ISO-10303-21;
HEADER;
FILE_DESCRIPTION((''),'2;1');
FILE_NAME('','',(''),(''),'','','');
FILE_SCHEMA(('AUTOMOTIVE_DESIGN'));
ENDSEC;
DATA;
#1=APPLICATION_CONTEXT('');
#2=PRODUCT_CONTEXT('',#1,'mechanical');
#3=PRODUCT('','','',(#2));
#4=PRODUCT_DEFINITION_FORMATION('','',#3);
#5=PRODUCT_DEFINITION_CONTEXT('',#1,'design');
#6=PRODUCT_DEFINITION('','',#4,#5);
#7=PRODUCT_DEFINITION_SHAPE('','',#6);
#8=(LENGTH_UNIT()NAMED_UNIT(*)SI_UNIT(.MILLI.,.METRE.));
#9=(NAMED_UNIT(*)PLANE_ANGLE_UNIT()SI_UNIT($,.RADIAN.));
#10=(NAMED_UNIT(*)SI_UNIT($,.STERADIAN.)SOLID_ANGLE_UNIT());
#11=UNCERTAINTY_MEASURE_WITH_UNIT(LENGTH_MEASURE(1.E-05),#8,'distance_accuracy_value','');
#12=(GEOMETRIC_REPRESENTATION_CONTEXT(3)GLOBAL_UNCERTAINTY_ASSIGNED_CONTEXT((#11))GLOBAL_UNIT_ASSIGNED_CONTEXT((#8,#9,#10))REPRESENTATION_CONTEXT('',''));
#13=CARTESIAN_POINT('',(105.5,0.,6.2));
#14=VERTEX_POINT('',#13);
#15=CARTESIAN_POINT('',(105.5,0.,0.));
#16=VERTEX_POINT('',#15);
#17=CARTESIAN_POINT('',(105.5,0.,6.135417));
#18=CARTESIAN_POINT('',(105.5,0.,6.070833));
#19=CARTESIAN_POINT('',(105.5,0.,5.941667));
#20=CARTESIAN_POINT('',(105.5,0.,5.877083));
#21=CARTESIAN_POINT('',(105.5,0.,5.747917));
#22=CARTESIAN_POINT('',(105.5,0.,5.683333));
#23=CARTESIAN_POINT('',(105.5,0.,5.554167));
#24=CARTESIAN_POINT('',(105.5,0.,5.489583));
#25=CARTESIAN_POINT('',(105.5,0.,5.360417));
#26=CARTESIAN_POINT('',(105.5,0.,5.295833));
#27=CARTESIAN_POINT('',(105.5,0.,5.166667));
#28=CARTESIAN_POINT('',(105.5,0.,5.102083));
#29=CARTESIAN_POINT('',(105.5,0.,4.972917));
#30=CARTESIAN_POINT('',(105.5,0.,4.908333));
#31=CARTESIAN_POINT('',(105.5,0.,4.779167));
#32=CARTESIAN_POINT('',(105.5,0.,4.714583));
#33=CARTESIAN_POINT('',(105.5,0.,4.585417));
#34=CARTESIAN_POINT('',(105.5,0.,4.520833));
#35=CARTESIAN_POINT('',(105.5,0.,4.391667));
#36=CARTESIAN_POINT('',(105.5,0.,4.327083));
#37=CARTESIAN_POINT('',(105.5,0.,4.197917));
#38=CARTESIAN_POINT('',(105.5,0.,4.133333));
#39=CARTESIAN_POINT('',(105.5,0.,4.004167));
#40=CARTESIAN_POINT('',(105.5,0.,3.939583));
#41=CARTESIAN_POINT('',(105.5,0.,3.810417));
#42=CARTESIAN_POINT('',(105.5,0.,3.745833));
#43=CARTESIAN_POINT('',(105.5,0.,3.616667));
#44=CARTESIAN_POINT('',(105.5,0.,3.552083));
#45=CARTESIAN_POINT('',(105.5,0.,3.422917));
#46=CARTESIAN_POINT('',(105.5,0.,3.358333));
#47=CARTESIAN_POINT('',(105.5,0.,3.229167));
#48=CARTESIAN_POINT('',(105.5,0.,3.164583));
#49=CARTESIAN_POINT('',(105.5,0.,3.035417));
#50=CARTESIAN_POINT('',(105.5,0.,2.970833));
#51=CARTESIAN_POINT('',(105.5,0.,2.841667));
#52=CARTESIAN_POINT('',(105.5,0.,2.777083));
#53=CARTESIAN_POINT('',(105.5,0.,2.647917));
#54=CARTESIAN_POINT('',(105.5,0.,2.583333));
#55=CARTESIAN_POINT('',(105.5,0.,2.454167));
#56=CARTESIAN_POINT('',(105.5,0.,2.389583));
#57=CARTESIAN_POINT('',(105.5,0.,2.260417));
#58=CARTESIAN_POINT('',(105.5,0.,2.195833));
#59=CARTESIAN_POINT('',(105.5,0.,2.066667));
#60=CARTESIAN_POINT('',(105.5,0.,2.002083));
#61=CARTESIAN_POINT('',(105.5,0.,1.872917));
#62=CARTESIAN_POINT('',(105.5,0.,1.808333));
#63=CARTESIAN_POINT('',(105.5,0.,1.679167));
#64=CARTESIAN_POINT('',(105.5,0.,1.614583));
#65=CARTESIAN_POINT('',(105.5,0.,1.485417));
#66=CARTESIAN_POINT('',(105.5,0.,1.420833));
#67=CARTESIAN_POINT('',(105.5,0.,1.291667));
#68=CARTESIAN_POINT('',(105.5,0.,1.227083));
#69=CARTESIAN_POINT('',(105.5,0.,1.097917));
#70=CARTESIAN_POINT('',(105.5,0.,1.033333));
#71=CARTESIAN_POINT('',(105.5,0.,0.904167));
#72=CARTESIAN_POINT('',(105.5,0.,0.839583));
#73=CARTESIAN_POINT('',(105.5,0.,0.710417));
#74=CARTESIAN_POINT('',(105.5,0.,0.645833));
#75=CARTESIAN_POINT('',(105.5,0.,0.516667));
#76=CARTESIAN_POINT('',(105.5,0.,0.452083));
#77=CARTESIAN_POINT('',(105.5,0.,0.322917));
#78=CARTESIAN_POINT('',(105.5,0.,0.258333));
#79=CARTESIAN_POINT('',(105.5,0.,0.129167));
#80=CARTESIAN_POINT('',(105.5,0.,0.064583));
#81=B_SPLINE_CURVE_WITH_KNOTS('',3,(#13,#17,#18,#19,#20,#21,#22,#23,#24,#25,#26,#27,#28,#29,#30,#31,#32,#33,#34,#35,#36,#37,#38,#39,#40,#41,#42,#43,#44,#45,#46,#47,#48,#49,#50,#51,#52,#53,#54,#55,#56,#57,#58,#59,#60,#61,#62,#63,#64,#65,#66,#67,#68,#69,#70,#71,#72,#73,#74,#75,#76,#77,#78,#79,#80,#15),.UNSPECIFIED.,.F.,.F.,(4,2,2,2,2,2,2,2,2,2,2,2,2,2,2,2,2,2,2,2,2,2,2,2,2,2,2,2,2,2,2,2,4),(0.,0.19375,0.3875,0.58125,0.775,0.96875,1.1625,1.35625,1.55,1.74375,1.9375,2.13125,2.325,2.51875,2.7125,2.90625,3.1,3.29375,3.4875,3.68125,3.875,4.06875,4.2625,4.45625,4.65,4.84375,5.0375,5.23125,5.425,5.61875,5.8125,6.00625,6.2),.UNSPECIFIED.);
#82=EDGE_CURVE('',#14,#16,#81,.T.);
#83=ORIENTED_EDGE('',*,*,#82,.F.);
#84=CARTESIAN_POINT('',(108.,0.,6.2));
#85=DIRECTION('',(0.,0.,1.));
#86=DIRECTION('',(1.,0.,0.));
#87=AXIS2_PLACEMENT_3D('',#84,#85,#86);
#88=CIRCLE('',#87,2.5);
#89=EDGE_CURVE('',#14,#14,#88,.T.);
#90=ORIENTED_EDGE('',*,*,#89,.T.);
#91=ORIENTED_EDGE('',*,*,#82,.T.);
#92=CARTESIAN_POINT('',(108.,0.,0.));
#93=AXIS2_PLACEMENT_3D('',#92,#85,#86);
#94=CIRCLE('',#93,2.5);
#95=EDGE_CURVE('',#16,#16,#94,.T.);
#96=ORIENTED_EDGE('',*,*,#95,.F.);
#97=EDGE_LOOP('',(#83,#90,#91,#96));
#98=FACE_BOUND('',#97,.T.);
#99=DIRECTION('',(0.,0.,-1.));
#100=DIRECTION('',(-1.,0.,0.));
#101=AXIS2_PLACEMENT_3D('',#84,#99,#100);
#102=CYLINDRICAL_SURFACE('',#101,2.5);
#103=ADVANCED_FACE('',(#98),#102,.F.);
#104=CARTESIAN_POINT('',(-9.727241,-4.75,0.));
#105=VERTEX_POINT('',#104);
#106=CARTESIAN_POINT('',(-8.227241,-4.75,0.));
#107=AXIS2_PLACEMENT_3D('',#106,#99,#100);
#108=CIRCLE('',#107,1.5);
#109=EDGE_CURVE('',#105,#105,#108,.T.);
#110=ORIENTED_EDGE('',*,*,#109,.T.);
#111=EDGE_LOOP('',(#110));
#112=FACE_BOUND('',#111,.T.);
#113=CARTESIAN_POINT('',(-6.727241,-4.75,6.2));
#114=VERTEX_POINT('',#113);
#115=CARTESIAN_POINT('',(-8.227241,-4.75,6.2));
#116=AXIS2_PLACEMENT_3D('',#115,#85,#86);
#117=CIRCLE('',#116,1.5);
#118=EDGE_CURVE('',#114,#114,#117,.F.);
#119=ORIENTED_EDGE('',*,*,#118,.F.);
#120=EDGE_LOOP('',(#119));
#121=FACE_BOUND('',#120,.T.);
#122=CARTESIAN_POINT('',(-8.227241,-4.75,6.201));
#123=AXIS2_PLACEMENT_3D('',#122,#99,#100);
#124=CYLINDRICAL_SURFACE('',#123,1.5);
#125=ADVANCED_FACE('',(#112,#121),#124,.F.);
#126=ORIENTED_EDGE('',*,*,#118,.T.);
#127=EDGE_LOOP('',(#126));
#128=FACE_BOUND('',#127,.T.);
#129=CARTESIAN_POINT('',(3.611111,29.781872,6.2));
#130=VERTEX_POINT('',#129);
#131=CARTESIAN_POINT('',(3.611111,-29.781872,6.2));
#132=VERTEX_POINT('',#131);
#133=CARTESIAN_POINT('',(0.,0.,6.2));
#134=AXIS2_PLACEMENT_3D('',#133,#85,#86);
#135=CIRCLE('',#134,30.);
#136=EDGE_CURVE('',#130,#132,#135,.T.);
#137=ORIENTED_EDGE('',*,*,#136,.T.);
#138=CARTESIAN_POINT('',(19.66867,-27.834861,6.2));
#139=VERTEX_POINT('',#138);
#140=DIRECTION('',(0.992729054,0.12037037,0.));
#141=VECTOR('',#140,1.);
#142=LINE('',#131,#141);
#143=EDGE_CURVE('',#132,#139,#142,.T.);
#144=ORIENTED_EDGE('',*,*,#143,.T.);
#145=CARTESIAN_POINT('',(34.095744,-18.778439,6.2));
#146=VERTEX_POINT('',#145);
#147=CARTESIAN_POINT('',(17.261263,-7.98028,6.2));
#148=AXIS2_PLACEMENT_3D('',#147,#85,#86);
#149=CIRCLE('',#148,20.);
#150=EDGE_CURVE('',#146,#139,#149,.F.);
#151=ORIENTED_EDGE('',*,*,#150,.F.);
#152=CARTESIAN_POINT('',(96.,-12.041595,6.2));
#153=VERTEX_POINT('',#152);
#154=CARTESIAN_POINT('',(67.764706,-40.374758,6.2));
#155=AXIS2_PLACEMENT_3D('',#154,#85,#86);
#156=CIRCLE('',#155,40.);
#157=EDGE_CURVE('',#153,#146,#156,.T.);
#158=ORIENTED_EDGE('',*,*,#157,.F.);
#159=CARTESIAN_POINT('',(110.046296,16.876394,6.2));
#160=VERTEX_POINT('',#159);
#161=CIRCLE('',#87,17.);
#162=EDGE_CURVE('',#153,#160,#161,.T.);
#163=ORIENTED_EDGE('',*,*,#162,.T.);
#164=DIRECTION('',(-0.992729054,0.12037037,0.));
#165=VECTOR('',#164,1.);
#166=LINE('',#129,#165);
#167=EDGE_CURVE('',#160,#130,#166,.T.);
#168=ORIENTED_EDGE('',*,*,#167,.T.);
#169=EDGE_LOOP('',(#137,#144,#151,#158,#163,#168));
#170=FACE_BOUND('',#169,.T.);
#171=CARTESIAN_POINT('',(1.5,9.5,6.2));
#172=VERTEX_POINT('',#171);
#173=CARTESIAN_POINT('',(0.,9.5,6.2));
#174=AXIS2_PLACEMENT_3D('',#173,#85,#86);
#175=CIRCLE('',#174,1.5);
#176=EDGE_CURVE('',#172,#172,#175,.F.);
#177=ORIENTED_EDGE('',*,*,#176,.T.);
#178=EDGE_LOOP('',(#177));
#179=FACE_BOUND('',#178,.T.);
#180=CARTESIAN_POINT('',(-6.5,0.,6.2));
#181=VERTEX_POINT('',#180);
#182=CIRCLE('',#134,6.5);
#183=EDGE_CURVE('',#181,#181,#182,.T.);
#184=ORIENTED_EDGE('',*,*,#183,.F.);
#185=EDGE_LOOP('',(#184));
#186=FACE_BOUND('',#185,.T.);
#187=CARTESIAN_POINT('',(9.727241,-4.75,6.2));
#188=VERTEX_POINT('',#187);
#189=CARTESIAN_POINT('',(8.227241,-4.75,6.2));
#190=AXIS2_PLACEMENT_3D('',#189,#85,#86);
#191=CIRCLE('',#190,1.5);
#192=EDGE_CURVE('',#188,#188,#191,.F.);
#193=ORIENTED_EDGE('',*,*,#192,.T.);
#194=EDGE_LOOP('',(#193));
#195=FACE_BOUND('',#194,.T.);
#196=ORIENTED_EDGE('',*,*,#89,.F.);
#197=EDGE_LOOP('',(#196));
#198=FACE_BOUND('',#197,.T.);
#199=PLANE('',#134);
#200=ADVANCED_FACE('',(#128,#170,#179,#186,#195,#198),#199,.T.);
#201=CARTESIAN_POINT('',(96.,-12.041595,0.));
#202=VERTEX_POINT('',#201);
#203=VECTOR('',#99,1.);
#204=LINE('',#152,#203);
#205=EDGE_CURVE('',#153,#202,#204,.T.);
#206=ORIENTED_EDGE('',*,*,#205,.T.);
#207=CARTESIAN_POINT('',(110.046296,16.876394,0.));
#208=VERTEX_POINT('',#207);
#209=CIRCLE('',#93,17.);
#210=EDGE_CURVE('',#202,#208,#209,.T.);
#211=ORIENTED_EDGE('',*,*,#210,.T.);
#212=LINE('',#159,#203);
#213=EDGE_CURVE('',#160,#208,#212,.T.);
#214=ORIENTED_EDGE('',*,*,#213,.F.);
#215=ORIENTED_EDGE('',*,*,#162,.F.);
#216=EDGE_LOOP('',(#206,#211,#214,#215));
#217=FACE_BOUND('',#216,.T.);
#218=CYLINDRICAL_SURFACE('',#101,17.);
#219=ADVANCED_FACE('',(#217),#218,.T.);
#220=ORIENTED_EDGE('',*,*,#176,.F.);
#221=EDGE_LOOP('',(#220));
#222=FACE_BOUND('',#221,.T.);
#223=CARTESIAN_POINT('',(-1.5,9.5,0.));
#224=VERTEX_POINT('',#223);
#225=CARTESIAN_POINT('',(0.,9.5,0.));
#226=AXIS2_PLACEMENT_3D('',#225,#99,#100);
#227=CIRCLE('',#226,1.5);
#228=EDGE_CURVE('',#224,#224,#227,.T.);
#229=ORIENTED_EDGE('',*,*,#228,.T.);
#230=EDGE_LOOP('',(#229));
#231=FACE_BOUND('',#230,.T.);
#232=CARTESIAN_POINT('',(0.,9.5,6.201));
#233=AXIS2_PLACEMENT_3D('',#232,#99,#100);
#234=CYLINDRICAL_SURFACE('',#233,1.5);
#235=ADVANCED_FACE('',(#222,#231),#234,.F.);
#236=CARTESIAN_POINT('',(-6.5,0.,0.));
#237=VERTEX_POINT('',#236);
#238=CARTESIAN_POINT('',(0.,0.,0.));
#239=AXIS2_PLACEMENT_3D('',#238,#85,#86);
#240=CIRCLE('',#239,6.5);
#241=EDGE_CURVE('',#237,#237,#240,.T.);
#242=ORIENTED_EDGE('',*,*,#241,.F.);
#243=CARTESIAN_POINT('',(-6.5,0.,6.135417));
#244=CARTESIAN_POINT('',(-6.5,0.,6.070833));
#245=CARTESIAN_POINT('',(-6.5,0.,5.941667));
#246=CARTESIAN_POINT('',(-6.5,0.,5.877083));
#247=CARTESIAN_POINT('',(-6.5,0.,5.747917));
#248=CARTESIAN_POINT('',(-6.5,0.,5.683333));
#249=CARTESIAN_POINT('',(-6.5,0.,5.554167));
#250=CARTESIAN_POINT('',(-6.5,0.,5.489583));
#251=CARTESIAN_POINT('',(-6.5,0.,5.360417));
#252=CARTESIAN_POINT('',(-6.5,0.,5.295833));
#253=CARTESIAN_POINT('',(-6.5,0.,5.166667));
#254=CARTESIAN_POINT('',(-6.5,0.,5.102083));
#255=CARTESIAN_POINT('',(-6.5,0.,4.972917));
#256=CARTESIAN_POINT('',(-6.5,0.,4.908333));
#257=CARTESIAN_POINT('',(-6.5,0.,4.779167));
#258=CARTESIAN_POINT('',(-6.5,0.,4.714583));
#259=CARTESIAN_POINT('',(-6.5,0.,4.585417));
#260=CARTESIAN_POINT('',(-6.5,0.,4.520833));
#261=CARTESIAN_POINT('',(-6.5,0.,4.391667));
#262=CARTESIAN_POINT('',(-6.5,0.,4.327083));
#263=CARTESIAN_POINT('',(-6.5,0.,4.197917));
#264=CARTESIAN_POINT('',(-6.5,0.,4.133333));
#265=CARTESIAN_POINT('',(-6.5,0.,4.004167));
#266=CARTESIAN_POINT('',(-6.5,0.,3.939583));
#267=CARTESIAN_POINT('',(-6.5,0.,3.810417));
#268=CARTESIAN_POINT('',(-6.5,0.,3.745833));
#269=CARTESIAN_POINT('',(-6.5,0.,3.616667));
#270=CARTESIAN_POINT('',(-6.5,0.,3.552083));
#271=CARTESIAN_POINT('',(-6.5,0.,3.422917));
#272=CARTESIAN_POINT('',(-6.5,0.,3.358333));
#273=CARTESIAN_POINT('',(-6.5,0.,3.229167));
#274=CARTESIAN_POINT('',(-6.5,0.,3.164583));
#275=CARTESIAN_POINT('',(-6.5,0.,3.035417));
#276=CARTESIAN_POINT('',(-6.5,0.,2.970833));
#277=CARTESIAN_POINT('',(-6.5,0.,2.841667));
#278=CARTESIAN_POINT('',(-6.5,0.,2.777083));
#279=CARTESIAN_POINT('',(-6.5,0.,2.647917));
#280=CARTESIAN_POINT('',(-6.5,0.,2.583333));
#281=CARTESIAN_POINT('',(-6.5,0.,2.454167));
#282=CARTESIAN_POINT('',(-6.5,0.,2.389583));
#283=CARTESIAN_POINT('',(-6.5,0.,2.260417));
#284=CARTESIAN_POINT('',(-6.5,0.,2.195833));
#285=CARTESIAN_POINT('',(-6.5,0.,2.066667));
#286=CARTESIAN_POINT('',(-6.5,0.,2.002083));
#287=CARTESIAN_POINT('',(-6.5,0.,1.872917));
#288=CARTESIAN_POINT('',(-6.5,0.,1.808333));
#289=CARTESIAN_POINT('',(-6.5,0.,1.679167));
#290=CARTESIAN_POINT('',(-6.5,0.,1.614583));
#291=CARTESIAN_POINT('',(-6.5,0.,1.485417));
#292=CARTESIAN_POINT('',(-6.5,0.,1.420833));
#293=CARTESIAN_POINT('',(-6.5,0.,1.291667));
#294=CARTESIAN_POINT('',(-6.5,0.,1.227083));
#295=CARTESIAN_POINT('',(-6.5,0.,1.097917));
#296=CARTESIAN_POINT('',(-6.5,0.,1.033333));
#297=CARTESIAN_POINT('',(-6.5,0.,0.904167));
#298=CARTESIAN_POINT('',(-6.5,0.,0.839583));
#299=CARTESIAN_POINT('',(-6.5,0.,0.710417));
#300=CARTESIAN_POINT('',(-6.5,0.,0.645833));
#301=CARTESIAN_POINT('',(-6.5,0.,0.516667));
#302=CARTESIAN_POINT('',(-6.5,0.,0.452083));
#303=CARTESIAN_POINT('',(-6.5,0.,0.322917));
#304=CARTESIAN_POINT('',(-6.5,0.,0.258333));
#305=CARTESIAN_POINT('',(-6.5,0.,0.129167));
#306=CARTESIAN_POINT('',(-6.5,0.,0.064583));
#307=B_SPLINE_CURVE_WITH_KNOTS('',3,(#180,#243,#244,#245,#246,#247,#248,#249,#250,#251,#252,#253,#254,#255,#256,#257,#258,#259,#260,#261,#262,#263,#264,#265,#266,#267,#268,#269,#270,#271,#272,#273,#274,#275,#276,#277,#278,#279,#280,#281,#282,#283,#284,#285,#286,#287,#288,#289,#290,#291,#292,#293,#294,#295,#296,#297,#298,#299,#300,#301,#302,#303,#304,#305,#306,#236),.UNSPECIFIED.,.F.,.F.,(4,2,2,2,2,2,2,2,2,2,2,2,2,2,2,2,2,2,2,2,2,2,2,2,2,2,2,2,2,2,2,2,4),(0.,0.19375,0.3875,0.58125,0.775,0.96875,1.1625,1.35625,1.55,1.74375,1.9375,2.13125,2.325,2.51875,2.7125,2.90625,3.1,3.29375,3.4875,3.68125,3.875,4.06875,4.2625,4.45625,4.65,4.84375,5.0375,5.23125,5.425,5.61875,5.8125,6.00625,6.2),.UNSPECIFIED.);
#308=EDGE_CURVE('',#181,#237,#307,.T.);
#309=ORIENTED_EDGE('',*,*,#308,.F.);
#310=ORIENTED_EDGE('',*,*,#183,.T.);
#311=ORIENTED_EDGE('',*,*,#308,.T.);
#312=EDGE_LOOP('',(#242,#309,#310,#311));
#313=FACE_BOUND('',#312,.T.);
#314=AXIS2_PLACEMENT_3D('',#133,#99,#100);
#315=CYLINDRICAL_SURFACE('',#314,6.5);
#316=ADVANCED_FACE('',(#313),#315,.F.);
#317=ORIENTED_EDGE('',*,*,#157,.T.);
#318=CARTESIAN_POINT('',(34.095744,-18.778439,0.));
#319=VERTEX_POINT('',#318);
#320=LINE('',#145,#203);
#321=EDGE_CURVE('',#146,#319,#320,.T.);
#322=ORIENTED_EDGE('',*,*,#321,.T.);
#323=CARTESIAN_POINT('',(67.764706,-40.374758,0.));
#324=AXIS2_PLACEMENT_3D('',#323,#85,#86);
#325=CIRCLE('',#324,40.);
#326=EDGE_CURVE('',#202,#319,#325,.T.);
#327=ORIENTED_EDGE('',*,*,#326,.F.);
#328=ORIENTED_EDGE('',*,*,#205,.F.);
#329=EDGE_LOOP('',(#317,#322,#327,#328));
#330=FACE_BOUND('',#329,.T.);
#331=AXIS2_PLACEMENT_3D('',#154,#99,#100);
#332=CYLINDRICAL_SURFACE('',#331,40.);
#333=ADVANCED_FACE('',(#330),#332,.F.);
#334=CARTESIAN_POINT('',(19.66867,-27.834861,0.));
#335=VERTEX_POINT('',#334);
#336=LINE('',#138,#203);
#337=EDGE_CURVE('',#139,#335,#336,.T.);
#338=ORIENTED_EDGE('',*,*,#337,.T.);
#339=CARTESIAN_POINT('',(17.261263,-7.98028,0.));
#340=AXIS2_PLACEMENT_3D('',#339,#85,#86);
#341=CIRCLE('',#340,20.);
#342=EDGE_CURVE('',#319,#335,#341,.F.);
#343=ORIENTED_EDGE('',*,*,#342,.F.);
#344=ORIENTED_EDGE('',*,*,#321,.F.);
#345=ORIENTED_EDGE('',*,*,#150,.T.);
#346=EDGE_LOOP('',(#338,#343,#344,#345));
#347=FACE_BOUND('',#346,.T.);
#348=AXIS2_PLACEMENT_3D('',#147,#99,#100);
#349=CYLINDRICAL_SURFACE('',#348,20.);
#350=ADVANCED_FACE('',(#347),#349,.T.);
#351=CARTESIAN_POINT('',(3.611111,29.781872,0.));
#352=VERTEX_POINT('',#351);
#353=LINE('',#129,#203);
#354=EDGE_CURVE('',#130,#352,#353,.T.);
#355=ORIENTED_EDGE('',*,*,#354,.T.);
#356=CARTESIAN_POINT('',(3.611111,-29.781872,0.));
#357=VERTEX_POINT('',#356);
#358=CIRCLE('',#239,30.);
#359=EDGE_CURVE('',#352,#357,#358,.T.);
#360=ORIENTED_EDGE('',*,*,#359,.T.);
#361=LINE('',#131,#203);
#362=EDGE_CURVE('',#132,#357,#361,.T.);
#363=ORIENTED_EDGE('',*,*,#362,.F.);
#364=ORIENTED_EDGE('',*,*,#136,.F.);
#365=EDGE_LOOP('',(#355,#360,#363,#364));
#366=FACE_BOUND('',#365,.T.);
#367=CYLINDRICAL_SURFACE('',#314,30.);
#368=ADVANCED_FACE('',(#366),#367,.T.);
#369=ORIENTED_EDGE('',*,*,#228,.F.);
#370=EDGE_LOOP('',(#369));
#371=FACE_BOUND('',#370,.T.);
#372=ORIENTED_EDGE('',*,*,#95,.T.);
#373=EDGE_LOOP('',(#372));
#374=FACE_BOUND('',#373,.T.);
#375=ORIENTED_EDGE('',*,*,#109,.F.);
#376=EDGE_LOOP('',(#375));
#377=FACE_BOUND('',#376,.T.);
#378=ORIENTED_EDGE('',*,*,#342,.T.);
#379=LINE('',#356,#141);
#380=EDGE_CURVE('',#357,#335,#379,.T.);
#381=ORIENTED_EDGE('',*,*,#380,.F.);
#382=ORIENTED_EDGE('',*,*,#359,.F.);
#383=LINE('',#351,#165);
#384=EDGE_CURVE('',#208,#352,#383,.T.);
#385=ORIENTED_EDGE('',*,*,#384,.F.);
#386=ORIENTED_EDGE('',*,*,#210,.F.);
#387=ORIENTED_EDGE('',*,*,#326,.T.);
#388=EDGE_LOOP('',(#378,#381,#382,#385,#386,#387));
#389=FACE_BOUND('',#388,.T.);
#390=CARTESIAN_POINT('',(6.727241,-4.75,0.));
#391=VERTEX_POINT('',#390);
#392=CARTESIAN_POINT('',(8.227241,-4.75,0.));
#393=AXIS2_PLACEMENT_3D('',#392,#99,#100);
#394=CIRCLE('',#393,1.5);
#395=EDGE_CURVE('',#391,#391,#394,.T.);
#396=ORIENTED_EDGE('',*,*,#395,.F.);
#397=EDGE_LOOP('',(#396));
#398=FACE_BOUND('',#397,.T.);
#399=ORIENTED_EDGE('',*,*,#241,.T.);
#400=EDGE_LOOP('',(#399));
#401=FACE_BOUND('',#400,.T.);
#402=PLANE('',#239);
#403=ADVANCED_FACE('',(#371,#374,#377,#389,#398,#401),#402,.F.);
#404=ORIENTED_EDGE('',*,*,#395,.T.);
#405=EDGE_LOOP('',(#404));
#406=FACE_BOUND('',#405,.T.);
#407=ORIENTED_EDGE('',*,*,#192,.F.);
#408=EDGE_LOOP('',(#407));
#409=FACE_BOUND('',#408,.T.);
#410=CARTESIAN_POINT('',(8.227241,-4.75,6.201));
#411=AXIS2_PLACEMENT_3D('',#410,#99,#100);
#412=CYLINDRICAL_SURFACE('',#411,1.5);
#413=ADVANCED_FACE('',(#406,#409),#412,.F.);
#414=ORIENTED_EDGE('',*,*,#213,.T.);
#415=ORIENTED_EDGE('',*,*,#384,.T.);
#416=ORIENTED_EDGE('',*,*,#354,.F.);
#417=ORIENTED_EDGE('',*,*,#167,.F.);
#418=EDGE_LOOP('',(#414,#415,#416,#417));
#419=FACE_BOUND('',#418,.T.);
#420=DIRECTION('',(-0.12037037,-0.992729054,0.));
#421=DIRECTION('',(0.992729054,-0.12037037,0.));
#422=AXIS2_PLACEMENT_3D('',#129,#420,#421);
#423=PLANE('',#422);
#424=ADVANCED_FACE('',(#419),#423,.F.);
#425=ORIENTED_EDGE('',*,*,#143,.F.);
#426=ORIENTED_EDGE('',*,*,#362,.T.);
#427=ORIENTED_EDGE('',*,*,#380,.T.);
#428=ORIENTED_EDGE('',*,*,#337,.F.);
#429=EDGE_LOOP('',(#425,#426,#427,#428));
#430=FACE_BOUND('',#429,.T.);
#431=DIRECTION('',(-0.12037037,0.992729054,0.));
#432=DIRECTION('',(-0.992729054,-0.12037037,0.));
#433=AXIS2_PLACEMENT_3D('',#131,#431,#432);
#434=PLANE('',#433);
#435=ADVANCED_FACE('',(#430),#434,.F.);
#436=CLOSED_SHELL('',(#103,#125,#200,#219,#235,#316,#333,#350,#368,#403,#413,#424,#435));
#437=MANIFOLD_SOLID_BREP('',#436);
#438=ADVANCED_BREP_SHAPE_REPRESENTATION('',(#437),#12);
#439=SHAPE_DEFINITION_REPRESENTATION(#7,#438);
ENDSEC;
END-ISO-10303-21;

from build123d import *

# Parameters (mm, degrees)
SKETCH1_R           = 2.5
SKETCH1_R_2         = 6.5
BOSS_EXTRUDE1_DEPTH = 6.2
CUT_EXTRUDE1_REACH  = 130.699
SKETCH2_R           = 1.5


with BuildPart() as part:
    # Sketch1 → Boss-Extrude1 (new body)
    with BuildSketch(Plane.XY):
        with BuildLine():
            Line((3.611111111, -29.781871609), (19.668670355, -27.834860643))
            ThreePointArc((19.668670355, -27.834860643), (27.894571922, -24.919368692), (34.095743926, -18.778439145))
            ThreePointArc((34.095743926, -18.778439145), (63.437182893, -0.609540518), (96, -12.041594579))
            ThreePointArc((96, -12.041594579), (123.291552208, -7.427545426), (110.046296296, 16.876393912))
            Line((110.046296296, 16.876393912), (3.611111111, 29.781871609))
            ThreePointArc((3.611111111, 29.781871609), (-30, 0), (3.611111111, -29.781871609))
        make_face()
        with Locations(Location((108, 0, 0), (0, 0, 180))):
            Circle(SKETCH1_R, mode=Mode.SUBTRACT)
        with Locations(Location((0, 0, 0), (0, 0, 180))):
            Circle(SKETCH1_R_2, mode=Mode.SUBTRACT)
    extrude(amount=BOSS_EXTRUDE1_DEPTH)

    # Sketch2 → Cut-Extrude1 (cut, up to next)
    with BuildSketch(Plane(origin=(0, 0, 0), x_dir=(-1, 0, 0), z_dir=(0, 0, -1)), mode=Mode.PRIVATE) as cut_extrude1_sk1:
        with Locations((8.227241336, -4.75)):
            Circle(SKETCH2_R)
    cut_extrude1_tool1 = extrude(cut_extrude1_sk1.sketch, amount=-CUT_EXTRUDE1_REACH, mode=Mode.PRIVATE) & part.part
    # Sketch2 → Cut-Extrude1 (cut, up to next)
    with BuildSketch(Plane(origin=(0, 0, 0), x_dir=(-1, 0, 0), z_dir=(0, 0, -1)), mode=Mode.PRIVATE) as cut_extrude1_sk2:
        with Locations((-8.227241336, -4.75)):
            Circle(SKETCH2_R)
    cut_extrude1_tool2 = extrude(cut_extrude1_sk2.sketch, amount=-CUT_EXTRUDE1_REACH, mode=Mode.PRIVATE) & part.part
    # Sketch2 → Cut-Extrude1 (cut, up to next)
    with BuildSketch(Plane(origin=(0, 0, 0), x_dir=(-1, 0, 0), z_dir=(0, 0, -1)), mode=Mode.PRIVATE) as cut_extrude1_sk3:
        with Locations((0, 9.5)):
            Circle(SKETCH2_R)
    cut_extrude1_tool3 = extrude(cut_extrude1_sk3.sketch, amount=-CUT_EXTRUDE1_REACH, mode=Mode.PRIVATE) & part.part
    add(cut_extrude1_tool1.solids().sort_by_distance((-8.227241, -4.75, 0))[0], mode=Mode.SUBTRACT)
    add(cut_extrude1_tool2.solids().sort_by_distance((8.227241, -4.75, 0))[0], mode=Mode.SUBTRACT)
    add(cut_extrude1_tool3.solids().sort_by_distance((0, 9.5, 0))[0], mode=Mode.SUBTRACT)


solid = part.part
